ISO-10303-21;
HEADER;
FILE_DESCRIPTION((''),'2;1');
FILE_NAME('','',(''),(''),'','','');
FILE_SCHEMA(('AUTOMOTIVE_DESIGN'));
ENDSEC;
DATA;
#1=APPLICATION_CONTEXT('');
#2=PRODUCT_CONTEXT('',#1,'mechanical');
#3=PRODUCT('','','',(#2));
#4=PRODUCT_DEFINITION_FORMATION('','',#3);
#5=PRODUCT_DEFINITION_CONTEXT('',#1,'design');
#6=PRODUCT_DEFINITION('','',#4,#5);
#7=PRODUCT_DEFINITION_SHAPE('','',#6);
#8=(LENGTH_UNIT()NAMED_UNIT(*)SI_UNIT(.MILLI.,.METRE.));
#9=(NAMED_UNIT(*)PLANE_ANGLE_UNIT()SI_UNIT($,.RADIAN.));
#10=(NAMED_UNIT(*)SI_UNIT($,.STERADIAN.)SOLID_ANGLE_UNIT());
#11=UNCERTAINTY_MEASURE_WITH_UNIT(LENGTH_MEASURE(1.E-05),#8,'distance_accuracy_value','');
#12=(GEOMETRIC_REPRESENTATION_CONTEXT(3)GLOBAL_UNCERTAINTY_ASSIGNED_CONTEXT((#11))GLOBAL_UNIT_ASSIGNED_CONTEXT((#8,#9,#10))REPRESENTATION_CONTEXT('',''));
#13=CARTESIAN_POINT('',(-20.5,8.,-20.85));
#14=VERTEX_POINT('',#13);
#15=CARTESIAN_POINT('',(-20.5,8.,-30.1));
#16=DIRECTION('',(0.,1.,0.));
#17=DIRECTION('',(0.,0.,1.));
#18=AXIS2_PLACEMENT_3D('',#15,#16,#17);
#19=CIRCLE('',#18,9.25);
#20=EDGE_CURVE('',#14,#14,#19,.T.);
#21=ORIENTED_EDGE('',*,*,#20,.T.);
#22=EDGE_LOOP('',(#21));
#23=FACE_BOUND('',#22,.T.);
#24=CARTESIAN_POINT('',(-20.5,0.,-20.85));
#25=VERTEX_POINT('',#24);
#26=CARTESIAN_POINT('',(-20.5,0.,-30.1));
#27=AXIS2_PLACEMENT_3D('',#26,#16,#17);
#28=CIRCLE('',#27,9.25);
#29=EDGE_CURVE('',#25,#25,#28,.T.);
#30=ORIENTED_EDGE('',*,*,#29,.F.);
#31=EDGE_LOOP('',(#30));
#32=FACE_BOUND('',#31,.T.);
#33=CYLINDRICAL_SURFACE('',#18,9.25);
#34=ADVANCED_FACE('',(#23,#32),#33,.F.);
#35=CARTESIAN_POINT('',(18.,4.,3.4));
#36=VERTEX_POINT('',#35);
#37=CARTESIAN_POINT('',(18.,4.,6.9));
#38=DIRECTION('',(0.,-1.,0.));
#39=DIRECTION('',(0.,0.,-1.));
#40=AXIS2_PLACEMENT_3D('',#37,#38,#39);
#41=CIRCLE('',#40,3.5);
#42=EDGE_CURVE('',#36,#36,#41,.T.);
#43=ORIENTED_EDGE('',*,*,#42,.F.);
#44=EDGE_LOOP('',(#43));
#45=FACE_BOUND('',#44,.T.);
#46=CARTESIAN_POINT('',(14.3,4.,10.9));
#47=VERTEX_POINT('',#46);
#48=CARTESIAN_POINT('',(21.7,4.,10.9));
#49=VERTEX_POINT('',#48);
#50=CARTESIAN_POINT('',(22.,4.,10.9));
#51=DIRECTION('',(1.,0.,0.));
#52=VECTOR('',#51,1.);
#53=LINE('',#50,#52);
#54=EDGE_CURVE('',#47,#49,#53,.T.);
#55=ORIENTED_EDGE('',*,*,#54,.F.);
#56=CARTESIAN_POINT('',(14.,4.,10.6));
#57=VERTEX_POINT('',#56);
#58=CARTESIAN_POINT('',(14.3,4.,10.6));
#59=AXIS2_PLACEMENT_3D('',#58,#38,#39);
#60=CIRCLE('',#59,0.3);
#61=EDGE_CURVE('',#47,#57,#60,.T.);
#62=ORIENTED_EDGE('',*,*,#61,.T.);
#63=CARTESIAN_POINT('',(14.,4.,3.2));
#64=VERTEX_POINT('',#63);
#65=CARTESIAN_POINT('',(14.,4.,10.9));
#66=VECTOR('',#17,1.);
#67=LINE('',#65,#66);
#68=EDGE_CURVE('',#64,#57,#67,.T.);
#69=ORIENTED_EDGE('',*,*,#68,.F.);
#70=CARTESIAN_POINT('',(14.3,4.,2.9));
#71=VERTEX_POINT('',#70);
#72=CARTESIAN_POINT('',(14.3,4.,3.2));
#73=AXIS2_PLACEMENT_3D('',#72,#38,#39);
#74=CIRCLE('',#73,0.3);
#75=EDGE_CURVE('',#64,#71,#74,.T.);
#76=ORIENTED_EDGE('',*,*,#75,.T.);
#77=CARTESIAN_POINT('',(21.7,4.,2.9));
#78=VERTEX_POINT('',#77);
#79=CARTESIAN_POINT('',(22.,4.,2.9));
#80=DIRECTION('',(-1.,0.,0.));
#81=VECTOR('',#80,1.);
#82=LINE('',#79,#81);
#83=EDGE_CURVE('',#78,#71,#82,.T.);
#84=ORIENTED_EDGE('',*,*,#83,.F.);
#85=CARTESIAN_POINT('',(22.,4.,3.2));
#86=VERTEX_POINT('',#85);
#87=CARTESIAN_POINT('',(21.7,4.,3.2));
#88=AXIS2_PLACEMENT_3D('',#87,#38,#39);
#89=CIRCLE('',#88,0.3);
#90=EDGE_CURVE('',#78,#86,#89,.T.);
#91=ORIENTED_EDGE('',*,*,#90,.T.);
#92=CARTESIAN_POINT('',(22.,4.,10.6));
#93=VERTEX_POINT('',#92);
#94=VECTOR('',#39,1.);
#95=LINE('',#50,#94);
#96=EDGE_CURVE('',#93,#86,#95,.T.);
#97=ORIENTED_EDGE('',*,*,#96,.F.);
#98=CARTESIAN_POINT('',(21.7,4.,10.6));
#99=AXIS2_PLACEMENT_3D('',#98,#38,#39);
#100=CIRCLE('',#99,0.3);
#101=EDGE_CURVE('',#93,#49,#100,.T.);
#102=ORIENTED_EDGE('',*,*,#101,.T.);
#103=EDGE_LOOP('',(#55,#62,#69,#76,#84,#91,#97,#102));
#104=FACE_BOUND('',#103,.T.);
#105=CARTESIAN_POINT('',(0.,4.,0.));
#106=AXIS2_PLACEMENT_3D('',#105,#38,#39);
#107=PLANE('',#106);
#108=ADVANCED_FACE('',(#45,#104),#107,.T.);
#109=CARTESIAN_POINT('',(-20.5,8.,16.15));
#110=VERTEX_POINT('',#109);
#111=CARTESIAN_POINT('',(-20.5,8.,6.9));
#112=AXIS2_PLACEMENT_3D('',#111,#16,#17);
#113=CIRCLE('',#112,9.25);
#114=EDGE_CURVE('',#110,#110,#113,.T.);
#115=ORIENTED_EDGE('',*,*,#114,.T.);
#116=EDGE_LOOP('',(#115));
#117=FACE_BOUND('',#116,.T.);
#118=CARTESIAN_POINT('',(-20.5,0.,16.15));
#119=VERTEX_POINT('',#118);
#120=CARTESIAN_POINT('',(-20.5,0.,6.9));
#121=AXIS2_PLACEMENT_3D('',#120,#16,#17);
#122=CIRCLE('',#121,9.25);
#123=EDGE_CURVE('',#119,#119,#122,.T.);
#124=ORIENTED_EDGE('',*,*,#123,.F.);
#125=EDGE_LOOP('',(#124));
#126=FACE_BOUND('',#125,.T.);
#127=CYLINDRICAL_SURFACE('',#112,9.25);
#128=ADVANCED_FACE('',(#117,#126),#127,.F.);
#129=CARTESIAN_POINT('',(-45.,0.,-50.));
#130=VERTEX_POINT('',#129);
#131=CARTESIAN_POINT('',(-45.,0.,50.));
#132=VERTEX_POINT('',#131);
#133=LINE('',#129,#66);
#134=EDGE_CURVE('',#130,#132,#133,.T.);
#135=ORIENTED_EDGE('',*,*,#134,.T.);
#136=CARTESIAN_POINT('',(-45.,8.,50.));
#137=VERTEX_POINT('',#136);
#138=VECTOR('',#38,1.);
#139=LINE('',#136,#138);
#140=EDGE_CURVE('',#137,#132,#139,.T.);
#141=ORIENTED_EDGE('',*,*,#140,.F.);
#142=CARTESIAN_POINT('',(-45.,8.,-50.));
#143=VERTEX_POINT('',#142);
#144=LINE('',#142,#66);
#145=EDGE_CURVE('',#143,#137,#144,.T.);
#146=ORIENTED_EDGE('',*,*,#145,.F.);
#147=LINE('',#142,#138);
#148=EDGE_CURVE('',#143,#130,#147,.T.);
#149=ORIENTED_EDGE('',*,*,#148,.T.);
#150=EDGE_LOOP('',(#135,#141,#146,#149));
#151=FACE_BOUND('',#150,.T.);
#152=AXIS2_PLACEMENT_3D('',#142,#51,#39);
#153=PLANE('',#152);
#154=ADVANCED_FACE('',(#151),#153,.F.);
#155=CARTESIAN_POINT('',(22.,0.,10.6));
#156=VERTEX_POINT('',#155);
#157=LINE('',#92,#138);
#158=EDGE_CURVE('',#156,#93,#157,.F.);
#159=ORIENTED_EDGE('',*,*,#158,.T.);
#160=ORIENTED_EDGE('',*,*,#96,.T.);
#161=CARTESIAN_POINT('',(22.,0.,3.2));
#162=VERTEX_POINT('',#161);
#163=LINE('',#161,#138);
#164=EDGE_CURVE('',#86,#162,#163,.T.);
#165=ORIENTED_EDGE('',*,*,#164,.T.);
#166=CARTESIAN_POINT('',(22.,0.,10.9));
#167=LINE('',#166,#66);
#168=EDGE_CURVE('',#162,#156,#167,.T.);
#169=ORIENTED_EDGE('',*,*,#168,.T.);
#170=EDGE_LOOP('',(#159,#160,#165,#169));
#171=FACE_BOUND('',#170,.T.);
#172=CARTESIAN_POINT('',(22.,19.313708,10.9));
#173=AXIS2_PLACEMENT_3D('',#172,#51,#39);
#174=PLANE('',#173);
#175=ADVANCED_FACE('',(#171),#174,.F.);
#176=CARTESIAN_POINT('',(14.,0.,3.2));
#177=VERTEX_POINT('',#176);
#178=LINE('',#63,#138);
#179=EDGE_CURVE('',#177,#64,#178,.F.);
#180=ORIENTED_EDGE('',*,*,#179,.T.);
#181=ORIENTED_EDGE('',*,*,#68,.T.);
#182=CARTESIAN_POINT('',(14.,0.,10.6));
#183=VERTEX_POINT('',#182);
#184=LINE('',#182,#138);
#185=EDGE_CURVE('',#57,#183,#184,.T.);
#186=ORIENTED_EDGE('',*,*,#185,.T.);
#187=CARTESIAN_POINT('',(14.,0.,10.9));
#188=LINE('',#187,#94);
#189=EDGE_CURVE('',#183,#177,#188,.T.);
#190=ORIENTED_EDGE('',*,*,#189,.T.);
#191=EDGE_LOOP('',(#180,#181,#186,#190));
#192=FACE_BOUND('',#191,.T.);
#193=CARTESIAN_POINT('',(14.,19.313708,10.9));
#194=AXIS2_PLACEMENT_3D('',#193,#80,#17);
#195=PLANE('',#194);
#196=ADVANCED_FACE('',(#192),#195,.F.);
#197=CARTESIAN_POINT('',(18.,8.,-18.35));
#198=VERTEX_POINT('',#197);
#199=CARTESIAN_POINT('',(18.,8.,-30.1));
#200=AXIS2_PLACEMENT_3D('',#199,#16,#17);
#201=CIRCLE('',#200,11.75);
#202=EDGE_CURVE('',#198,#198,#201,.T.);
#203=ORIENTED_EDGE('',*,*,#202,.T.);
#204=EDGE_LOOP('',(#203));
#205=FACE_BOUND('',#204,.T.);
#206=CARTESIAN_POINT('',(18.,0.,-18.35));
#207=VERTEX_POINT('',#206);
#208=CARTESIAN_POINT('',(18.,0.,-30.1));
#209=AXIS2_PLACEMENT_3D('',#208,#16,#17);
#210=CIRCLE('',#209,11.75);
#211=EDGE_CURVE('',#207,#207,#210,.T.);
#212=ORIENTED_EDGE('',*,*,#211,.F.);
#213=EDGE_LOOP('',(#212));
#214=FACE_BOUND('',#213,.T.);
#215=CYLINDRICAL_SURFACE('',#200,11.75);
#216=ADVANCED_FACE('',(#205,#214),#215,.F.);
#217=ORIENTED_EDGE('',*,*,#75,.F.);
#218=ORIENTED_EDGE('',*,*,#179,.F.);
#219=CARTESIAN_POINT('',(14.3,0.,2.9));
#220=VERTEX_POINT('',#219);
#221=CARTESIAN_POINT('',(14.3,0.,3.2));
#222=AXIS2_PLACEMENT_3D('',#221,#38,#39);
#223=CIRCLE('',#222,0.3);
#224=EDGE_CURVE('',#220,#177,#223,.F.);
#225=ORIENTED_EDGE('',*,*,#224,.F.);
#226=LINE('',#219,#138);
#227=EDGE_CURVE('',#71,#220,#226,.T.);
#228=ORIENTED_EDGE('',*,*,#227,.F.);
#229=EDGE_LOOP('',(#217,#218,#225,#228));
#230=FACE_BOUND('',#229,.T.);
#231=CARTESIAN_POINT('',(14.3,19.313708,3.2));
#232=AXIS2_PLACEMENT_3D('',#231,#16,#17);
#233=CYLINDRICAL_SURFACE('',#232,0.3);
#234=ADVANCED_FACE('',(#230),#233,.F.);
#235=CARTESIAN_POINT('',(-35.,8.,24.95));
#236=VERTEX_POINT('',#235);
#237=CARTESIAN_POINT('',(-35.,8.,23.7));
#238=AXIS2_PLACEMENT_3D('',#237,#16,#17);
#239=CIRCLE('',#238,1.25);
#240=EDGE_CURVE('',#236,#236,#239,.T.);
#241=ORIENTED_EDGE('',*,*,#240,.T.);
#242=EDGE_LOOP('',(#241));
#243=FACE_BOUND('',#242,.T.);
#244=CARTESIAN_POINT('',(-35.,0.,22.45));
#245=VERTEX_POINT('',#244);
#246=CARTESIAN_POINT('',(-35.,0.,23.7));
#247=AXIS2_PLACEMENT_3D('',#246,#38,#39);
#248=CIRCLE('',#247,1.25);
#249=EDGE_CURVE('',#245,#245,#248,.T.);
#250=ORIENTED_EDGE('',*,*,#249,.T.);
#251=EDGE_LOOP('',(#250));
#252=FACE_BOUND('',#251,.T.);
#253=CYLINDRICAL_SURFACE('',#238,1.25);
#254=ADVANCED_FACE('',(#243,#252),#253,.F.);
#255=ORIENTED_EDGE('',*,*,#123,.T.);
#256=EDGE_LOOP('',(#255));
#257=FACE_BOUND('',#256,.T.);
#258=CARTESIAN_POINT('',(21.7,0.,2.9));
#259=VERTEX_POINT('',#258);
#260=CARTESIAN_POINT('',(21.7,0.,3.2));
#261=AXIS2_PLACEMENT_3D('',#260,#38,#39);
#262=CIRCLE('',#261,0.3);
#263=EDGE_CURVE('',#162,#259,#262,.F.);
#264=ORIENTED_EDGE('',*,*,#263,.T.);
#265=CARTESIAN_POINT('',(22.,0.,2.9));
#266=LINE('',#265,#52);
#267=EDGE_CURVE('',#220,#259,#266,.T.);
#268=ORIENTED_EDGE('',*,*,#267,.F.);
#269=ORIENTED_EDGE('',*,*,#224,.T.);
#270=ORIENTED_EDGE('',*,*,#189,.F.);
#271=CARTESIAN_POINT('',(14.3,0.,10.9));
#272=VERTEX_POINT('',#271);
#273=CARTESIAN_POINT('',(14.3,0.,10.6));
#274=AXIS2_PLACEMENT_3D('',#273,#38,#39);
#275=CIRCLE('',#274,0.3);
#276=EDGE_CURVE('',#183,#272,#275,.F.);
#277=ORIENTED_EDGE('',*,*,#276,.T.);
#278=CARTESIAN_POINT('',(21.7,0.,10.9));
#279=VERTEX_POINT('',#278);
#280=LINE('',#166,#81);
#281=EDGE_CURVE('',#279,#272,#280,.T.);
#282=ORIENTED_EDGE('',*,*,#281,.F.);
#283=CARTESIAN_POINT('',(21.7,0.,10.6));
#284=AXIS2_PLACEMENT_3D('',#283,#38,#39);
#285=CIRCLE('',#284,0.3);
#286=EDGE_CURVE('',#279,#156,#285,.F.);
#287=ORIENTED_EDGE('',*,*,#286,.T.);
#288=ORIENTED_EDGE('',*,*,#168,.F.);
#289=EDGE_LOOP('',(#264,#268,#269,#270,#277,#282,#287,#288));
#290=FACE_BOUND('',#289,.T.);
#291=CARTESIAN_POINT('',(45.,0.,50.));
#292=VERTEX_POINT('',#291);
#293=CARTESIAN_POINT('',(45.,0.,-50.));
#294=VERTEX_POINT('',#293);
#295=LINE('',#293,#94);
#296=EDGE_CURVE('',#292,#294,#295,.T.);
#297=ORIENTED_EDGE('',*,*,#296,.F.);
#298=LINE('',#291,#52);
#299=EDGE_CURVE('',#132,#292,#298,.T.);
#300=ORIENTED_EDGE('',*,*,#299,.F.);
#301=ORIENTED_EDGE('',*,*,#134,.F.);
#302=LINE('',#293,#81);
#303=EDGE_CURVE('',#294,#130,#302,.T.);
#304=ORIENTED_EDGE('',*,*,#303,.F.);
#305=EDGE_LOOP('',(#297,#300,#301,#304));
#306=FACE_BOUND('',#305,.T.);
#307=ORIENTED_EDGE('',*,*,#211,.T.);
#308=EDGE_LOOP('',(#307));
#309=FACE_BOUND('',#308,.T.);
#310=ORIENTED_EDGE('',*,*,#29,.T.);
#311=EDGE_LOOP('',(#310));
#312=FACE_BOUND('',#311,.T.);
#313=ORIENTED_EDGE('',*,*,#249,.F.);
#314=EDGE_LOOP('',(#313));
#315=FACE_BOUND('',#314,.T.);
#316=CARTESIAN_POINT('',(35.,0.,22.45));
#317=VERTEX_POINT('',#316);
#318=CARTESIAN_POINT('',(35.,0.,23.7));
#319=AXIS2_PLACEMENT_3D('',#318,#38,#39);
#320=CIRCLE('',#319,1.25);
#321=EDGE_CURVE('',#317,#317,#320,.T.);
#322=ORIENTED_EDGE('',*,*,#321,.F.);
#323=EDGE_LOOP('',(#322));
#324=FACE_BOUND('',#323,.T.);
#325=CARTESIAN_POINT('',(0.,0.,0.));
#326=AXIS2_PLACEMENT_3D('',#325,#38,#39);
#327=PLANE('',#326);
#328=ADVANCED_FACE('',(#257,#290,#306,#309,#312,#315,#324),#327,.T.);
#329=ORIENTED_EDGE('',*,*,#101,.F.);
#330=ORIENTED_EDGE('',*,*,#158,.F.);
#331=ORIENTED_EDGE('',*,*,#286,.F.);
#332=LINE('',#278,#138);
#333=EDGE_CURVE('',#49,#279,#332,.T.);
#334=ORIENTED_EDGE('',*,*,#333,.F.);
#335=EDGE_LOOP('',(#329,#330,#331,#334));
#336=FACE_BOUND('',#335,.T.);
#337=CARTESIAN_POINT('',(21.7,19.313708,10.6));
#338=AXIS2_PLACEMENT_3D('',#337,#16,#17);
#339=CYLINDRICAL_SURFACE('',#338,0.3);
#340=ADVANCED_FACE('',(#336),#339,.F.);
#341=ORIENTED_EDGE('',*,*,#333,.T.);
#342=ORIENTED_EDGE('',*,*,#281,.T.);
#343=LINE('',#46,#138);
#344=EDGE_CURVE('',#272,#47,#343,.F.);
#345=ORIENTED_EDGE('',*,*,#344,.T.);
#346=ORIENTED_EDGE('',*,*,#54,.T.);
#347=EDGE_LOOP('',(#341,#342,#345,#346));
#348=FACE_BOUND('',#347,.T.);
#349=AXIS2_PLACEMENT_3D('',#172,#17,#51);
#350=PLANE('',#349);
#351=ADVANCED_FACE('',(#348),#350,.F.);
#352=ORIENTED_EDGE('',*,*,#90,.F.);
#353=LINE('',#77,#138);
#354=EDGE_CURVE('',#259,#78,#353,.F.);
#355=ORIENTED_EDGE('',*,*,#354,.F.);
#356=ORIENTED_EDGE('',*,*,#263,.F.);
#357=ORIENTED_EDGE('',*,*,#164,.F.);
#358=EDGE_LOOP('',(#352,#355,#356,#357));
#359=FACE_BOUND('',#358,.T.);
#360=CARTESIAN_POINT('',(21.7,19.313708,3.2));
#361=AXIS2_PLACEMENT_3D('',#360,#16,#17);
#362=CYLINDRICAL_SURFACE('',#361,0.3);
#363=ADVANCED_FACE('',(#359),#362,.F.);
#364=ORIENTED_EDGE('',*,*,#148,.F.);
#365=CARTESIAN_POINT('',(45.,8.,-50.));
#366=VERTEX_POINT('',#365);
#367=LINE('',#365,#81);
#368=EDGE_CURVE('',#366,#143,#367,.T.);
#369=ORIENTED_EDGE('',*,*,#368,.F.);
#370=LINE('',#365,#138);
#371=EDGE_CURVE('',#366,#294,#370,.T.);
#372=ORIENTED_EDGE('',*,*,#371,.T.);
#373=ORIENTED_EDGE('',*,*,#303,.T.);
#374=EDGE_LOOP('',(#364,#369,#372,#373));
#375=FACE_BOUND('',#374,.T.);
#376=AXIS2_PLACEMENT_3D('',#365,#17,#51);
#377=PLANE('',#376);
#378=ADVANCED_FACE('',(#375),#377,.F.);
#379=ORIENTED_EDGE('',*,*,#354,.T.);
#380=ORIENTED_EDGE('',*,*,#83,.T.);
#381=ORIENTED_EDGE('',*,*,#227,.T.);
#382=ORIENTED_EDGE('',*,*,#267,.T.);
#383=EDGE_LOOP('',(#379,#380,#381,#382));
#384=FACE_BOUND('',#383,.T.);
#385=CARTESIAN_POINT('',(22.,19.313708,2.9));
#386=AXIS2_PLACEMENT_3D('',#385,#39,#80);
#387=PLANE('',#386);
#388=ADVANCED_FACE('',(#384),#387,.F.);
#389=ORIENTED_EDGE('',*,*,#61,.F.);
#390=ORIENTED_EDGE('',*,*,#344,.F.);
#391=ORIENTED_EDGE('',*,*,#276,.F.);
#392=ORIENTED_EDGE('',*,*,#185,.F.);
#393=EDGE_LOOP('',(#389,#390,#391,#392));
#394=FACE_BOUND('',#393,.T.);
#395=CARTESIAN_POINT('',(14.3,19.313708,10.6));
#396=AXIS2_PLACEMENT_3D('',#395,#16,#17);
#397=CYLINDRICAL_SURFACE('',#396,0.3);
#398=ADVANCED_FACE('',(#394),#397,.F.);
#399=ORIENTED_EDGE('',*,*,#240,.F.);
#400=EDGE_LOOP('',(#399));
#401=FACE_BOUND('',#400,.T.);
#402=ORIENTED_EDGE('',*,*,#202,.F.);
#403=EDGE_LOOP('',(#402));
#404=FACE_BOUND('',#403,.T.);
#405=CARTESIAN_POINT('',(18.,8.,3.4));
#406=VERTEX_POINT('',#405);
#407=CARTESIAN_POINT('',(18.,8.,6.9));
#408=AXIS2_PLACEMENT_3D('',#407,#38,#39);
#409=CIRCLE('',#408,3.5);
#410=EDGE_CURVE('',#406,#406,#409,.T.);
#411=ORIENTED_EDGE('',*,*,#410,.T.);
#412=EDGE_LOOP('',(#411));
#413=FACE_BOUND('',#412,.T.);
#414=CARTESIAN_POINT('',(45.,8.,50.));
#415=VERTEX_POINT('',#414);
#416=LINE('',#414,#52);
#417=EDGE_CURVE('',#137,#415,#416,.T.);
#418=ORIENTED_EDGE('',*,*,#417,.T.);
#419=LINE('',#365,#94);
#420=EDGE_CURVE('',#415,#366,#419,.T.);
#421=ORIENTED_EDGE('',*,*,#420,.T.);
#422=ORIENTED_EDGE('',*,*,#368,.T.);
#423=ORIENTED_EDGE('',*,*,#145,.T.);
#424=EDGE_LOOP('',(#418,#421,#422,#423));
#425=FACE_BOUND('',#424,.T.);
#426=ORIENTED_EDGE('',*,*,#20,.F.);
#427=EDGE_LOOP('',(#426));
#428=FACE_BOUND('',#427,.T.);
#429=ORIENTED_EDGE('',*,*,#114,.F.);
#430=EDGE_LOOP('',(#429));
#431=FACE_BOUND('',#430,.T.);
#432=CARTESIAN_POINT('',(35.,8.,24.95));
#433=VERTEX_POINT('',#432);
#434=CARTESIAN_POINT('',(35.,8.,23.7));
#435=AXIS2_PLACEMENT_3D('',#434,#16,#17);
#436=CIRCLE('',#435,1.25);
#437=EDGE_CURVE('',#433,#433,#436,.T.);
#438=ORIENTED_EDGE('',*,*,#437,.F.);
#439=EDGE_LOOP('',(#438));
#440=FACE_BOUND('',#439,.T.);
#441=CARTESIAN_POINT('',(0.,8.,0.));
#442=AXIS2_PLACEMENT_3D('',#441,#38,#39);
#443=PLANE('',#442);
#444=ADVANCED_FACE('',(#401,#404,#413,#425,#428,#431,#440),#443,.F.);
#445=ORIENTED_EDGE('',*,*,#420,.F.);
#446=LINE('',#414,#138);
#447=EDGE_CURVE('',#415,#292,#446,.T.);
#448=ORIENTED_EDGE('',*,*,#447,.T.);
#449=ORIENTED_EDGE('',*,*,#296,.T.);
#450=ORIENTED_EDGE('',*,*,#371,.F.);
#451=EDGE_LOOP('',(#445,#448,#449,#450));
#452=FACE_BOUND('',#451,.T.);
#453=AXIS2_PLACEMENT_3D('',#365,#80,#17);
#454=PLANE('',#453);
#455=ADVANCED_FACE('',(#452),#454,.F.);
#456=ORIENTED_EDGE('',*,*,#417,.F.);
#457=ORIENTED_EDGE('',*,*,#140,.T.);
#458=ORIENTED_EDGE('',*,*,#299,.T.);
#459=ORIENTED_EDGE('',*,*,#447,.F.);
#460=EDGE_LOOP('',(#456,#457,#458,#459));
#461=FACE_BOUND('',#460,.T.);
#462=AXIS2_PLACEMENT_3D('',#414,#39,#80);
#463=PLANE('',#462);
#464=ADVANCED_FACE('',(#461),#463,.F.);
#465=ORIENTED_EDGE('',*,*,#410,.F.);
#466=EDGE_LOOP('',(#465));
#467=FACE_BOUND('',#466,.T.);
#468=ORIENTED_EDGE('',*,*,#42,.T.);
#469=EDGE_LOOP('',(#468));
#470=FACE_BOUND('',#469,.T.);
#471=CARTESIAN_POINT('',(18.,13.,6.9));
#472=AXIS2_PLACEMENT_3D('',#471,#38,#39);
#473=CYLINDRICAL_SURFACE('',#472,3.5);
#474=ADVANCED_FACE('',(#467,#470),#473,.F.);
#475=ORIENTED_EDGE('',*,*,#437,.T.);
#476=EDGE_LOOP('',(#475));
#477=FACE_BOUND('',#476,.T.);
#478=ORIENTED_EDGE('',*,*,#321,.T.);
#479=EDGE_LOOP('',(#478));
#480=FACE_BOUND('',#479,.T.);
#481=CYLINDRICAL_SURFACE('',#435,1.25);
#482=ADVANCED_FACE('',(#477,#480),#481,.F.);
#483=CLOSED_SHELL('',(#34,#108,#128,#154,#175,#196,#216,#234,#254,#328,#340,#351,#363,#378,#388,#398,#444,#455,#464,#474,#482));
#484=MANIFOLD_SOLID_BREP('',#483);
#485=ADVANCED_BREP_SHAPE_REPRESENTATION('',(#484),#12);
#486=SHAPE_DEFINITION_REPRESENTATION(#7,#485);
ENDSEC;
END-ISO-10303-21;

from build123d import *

# Parameters (mm, degrees)
SKETCH_1_W            = 90
SKETCH_1_H            = 100
EXTRUDE_1_DEPTH       = 8
M20X1_51_D            = 18.5
M25X1_51_D            = 23.5
SKETCH_6_W            = 8
SKETCH_6_H            = 8
CUT_EXTRUDE_1_DEPTH   = 4
FILLET_1_R            = 0.3
SKETCH_7_R            = 3.5
CUT_EXTRUDE_2_DEPTH   = 9
HOLE_WIZARD_M31_D     = 2.5
HOLE_WIZARD_M31_DEPTH = 8.5
HOLE_WIZARD_M31_TIP   = 0.751075774


with BuildPart() as part:
    # Эскиз1 → Бобышка-Вытянуть1 (new body)
    with BuildSketch(Plane(origin=(0, 0, 0), x_dir=(1, 0, 0), z_dir=(0, 1, 0))):
        Rectangle(SKETCH_1_W, SKETCH_1_H)
    extrude(amount=EXTRUDE_1_DEPTH)

    # Отверстие обработанное метчиком M20x1,51 (through all)
    with Locations(Plane(origin=(0, 8, 0), x_dir=(1, 0, 0), z_dir=(0, 1, 0))):
        with Locations((-20.5, 30.1), (18, 30.1), (-20.5, -6.9)):
            Hole(M20X1_51_D / 2)

    # Отверстие обработанное метчиком M25x1,51 (through all)
    with Locations(Plane(origin=(0, 8, 0), x_dir=(1, 0, 0), z_dir=(0, 1, 0))):
        with Locations((18, 30.1)):
            Hole(M25X1_51_D / 2)

    # Эскиз6 → Вырез-Вытянуть1 (cut)
    with BuildSketch(Plane.XZ):
        with Locations((18, 6.9)):
            Rectangle(SKETCH_6_W, SKETCH_6_H)
    extrude(amount=-CUT_EXTRUDE_1_DEPTH, mode=Mode.SUBTRACT)

    # Скругление1
    fillet_1_edges = [part.edges().sort_by_distance(p)[0] for p in [
        (14, 2, 2.9),
        (14, 2, 10.9),
        (22, 2, 10.9),
        (22, 2, 2.9),
    ]]
    fillet(fillet_1_edges, radius=FILLET_1_R)

    # Эскиз7 → Вырез-Вытянуть2 (cut)
    with BuildSketch(Plane.XZ.offset(-4)):
        with Locations(Location((18, 6.9, 0), (0, 0, 270))):
            Circle(SKETCH_7_R)
    extrude(amount=-CUT_EXTRUDE_2_DEPTH, mode=Mode.SUBTRACT)

    # Отверстие обработанное метчиком M31
    with Locations(Plane(origin=(0, 8, 0), x_dir=(1, 0, 0), z_dir=(0, 1, 0))):
        with Locations((35, -23.7), (-35, -23.7)):
            Hole(HOLE_WIZARD_M31_D / 2, depth=HOLE_WIZARD_M31_DEPTH)
            with Locations((0, 0, -(HOLE_WIZARD_M31_DEPTH + HOLE_WIZARD_M31_TIP / 2))):  # 118° drill point
                Cone(0, HOLE_WIZARD_M31_D / 2, HOLE_WIZARD_M31_TIP, mode=Mode.SUBTRACT)


solid = part.part
